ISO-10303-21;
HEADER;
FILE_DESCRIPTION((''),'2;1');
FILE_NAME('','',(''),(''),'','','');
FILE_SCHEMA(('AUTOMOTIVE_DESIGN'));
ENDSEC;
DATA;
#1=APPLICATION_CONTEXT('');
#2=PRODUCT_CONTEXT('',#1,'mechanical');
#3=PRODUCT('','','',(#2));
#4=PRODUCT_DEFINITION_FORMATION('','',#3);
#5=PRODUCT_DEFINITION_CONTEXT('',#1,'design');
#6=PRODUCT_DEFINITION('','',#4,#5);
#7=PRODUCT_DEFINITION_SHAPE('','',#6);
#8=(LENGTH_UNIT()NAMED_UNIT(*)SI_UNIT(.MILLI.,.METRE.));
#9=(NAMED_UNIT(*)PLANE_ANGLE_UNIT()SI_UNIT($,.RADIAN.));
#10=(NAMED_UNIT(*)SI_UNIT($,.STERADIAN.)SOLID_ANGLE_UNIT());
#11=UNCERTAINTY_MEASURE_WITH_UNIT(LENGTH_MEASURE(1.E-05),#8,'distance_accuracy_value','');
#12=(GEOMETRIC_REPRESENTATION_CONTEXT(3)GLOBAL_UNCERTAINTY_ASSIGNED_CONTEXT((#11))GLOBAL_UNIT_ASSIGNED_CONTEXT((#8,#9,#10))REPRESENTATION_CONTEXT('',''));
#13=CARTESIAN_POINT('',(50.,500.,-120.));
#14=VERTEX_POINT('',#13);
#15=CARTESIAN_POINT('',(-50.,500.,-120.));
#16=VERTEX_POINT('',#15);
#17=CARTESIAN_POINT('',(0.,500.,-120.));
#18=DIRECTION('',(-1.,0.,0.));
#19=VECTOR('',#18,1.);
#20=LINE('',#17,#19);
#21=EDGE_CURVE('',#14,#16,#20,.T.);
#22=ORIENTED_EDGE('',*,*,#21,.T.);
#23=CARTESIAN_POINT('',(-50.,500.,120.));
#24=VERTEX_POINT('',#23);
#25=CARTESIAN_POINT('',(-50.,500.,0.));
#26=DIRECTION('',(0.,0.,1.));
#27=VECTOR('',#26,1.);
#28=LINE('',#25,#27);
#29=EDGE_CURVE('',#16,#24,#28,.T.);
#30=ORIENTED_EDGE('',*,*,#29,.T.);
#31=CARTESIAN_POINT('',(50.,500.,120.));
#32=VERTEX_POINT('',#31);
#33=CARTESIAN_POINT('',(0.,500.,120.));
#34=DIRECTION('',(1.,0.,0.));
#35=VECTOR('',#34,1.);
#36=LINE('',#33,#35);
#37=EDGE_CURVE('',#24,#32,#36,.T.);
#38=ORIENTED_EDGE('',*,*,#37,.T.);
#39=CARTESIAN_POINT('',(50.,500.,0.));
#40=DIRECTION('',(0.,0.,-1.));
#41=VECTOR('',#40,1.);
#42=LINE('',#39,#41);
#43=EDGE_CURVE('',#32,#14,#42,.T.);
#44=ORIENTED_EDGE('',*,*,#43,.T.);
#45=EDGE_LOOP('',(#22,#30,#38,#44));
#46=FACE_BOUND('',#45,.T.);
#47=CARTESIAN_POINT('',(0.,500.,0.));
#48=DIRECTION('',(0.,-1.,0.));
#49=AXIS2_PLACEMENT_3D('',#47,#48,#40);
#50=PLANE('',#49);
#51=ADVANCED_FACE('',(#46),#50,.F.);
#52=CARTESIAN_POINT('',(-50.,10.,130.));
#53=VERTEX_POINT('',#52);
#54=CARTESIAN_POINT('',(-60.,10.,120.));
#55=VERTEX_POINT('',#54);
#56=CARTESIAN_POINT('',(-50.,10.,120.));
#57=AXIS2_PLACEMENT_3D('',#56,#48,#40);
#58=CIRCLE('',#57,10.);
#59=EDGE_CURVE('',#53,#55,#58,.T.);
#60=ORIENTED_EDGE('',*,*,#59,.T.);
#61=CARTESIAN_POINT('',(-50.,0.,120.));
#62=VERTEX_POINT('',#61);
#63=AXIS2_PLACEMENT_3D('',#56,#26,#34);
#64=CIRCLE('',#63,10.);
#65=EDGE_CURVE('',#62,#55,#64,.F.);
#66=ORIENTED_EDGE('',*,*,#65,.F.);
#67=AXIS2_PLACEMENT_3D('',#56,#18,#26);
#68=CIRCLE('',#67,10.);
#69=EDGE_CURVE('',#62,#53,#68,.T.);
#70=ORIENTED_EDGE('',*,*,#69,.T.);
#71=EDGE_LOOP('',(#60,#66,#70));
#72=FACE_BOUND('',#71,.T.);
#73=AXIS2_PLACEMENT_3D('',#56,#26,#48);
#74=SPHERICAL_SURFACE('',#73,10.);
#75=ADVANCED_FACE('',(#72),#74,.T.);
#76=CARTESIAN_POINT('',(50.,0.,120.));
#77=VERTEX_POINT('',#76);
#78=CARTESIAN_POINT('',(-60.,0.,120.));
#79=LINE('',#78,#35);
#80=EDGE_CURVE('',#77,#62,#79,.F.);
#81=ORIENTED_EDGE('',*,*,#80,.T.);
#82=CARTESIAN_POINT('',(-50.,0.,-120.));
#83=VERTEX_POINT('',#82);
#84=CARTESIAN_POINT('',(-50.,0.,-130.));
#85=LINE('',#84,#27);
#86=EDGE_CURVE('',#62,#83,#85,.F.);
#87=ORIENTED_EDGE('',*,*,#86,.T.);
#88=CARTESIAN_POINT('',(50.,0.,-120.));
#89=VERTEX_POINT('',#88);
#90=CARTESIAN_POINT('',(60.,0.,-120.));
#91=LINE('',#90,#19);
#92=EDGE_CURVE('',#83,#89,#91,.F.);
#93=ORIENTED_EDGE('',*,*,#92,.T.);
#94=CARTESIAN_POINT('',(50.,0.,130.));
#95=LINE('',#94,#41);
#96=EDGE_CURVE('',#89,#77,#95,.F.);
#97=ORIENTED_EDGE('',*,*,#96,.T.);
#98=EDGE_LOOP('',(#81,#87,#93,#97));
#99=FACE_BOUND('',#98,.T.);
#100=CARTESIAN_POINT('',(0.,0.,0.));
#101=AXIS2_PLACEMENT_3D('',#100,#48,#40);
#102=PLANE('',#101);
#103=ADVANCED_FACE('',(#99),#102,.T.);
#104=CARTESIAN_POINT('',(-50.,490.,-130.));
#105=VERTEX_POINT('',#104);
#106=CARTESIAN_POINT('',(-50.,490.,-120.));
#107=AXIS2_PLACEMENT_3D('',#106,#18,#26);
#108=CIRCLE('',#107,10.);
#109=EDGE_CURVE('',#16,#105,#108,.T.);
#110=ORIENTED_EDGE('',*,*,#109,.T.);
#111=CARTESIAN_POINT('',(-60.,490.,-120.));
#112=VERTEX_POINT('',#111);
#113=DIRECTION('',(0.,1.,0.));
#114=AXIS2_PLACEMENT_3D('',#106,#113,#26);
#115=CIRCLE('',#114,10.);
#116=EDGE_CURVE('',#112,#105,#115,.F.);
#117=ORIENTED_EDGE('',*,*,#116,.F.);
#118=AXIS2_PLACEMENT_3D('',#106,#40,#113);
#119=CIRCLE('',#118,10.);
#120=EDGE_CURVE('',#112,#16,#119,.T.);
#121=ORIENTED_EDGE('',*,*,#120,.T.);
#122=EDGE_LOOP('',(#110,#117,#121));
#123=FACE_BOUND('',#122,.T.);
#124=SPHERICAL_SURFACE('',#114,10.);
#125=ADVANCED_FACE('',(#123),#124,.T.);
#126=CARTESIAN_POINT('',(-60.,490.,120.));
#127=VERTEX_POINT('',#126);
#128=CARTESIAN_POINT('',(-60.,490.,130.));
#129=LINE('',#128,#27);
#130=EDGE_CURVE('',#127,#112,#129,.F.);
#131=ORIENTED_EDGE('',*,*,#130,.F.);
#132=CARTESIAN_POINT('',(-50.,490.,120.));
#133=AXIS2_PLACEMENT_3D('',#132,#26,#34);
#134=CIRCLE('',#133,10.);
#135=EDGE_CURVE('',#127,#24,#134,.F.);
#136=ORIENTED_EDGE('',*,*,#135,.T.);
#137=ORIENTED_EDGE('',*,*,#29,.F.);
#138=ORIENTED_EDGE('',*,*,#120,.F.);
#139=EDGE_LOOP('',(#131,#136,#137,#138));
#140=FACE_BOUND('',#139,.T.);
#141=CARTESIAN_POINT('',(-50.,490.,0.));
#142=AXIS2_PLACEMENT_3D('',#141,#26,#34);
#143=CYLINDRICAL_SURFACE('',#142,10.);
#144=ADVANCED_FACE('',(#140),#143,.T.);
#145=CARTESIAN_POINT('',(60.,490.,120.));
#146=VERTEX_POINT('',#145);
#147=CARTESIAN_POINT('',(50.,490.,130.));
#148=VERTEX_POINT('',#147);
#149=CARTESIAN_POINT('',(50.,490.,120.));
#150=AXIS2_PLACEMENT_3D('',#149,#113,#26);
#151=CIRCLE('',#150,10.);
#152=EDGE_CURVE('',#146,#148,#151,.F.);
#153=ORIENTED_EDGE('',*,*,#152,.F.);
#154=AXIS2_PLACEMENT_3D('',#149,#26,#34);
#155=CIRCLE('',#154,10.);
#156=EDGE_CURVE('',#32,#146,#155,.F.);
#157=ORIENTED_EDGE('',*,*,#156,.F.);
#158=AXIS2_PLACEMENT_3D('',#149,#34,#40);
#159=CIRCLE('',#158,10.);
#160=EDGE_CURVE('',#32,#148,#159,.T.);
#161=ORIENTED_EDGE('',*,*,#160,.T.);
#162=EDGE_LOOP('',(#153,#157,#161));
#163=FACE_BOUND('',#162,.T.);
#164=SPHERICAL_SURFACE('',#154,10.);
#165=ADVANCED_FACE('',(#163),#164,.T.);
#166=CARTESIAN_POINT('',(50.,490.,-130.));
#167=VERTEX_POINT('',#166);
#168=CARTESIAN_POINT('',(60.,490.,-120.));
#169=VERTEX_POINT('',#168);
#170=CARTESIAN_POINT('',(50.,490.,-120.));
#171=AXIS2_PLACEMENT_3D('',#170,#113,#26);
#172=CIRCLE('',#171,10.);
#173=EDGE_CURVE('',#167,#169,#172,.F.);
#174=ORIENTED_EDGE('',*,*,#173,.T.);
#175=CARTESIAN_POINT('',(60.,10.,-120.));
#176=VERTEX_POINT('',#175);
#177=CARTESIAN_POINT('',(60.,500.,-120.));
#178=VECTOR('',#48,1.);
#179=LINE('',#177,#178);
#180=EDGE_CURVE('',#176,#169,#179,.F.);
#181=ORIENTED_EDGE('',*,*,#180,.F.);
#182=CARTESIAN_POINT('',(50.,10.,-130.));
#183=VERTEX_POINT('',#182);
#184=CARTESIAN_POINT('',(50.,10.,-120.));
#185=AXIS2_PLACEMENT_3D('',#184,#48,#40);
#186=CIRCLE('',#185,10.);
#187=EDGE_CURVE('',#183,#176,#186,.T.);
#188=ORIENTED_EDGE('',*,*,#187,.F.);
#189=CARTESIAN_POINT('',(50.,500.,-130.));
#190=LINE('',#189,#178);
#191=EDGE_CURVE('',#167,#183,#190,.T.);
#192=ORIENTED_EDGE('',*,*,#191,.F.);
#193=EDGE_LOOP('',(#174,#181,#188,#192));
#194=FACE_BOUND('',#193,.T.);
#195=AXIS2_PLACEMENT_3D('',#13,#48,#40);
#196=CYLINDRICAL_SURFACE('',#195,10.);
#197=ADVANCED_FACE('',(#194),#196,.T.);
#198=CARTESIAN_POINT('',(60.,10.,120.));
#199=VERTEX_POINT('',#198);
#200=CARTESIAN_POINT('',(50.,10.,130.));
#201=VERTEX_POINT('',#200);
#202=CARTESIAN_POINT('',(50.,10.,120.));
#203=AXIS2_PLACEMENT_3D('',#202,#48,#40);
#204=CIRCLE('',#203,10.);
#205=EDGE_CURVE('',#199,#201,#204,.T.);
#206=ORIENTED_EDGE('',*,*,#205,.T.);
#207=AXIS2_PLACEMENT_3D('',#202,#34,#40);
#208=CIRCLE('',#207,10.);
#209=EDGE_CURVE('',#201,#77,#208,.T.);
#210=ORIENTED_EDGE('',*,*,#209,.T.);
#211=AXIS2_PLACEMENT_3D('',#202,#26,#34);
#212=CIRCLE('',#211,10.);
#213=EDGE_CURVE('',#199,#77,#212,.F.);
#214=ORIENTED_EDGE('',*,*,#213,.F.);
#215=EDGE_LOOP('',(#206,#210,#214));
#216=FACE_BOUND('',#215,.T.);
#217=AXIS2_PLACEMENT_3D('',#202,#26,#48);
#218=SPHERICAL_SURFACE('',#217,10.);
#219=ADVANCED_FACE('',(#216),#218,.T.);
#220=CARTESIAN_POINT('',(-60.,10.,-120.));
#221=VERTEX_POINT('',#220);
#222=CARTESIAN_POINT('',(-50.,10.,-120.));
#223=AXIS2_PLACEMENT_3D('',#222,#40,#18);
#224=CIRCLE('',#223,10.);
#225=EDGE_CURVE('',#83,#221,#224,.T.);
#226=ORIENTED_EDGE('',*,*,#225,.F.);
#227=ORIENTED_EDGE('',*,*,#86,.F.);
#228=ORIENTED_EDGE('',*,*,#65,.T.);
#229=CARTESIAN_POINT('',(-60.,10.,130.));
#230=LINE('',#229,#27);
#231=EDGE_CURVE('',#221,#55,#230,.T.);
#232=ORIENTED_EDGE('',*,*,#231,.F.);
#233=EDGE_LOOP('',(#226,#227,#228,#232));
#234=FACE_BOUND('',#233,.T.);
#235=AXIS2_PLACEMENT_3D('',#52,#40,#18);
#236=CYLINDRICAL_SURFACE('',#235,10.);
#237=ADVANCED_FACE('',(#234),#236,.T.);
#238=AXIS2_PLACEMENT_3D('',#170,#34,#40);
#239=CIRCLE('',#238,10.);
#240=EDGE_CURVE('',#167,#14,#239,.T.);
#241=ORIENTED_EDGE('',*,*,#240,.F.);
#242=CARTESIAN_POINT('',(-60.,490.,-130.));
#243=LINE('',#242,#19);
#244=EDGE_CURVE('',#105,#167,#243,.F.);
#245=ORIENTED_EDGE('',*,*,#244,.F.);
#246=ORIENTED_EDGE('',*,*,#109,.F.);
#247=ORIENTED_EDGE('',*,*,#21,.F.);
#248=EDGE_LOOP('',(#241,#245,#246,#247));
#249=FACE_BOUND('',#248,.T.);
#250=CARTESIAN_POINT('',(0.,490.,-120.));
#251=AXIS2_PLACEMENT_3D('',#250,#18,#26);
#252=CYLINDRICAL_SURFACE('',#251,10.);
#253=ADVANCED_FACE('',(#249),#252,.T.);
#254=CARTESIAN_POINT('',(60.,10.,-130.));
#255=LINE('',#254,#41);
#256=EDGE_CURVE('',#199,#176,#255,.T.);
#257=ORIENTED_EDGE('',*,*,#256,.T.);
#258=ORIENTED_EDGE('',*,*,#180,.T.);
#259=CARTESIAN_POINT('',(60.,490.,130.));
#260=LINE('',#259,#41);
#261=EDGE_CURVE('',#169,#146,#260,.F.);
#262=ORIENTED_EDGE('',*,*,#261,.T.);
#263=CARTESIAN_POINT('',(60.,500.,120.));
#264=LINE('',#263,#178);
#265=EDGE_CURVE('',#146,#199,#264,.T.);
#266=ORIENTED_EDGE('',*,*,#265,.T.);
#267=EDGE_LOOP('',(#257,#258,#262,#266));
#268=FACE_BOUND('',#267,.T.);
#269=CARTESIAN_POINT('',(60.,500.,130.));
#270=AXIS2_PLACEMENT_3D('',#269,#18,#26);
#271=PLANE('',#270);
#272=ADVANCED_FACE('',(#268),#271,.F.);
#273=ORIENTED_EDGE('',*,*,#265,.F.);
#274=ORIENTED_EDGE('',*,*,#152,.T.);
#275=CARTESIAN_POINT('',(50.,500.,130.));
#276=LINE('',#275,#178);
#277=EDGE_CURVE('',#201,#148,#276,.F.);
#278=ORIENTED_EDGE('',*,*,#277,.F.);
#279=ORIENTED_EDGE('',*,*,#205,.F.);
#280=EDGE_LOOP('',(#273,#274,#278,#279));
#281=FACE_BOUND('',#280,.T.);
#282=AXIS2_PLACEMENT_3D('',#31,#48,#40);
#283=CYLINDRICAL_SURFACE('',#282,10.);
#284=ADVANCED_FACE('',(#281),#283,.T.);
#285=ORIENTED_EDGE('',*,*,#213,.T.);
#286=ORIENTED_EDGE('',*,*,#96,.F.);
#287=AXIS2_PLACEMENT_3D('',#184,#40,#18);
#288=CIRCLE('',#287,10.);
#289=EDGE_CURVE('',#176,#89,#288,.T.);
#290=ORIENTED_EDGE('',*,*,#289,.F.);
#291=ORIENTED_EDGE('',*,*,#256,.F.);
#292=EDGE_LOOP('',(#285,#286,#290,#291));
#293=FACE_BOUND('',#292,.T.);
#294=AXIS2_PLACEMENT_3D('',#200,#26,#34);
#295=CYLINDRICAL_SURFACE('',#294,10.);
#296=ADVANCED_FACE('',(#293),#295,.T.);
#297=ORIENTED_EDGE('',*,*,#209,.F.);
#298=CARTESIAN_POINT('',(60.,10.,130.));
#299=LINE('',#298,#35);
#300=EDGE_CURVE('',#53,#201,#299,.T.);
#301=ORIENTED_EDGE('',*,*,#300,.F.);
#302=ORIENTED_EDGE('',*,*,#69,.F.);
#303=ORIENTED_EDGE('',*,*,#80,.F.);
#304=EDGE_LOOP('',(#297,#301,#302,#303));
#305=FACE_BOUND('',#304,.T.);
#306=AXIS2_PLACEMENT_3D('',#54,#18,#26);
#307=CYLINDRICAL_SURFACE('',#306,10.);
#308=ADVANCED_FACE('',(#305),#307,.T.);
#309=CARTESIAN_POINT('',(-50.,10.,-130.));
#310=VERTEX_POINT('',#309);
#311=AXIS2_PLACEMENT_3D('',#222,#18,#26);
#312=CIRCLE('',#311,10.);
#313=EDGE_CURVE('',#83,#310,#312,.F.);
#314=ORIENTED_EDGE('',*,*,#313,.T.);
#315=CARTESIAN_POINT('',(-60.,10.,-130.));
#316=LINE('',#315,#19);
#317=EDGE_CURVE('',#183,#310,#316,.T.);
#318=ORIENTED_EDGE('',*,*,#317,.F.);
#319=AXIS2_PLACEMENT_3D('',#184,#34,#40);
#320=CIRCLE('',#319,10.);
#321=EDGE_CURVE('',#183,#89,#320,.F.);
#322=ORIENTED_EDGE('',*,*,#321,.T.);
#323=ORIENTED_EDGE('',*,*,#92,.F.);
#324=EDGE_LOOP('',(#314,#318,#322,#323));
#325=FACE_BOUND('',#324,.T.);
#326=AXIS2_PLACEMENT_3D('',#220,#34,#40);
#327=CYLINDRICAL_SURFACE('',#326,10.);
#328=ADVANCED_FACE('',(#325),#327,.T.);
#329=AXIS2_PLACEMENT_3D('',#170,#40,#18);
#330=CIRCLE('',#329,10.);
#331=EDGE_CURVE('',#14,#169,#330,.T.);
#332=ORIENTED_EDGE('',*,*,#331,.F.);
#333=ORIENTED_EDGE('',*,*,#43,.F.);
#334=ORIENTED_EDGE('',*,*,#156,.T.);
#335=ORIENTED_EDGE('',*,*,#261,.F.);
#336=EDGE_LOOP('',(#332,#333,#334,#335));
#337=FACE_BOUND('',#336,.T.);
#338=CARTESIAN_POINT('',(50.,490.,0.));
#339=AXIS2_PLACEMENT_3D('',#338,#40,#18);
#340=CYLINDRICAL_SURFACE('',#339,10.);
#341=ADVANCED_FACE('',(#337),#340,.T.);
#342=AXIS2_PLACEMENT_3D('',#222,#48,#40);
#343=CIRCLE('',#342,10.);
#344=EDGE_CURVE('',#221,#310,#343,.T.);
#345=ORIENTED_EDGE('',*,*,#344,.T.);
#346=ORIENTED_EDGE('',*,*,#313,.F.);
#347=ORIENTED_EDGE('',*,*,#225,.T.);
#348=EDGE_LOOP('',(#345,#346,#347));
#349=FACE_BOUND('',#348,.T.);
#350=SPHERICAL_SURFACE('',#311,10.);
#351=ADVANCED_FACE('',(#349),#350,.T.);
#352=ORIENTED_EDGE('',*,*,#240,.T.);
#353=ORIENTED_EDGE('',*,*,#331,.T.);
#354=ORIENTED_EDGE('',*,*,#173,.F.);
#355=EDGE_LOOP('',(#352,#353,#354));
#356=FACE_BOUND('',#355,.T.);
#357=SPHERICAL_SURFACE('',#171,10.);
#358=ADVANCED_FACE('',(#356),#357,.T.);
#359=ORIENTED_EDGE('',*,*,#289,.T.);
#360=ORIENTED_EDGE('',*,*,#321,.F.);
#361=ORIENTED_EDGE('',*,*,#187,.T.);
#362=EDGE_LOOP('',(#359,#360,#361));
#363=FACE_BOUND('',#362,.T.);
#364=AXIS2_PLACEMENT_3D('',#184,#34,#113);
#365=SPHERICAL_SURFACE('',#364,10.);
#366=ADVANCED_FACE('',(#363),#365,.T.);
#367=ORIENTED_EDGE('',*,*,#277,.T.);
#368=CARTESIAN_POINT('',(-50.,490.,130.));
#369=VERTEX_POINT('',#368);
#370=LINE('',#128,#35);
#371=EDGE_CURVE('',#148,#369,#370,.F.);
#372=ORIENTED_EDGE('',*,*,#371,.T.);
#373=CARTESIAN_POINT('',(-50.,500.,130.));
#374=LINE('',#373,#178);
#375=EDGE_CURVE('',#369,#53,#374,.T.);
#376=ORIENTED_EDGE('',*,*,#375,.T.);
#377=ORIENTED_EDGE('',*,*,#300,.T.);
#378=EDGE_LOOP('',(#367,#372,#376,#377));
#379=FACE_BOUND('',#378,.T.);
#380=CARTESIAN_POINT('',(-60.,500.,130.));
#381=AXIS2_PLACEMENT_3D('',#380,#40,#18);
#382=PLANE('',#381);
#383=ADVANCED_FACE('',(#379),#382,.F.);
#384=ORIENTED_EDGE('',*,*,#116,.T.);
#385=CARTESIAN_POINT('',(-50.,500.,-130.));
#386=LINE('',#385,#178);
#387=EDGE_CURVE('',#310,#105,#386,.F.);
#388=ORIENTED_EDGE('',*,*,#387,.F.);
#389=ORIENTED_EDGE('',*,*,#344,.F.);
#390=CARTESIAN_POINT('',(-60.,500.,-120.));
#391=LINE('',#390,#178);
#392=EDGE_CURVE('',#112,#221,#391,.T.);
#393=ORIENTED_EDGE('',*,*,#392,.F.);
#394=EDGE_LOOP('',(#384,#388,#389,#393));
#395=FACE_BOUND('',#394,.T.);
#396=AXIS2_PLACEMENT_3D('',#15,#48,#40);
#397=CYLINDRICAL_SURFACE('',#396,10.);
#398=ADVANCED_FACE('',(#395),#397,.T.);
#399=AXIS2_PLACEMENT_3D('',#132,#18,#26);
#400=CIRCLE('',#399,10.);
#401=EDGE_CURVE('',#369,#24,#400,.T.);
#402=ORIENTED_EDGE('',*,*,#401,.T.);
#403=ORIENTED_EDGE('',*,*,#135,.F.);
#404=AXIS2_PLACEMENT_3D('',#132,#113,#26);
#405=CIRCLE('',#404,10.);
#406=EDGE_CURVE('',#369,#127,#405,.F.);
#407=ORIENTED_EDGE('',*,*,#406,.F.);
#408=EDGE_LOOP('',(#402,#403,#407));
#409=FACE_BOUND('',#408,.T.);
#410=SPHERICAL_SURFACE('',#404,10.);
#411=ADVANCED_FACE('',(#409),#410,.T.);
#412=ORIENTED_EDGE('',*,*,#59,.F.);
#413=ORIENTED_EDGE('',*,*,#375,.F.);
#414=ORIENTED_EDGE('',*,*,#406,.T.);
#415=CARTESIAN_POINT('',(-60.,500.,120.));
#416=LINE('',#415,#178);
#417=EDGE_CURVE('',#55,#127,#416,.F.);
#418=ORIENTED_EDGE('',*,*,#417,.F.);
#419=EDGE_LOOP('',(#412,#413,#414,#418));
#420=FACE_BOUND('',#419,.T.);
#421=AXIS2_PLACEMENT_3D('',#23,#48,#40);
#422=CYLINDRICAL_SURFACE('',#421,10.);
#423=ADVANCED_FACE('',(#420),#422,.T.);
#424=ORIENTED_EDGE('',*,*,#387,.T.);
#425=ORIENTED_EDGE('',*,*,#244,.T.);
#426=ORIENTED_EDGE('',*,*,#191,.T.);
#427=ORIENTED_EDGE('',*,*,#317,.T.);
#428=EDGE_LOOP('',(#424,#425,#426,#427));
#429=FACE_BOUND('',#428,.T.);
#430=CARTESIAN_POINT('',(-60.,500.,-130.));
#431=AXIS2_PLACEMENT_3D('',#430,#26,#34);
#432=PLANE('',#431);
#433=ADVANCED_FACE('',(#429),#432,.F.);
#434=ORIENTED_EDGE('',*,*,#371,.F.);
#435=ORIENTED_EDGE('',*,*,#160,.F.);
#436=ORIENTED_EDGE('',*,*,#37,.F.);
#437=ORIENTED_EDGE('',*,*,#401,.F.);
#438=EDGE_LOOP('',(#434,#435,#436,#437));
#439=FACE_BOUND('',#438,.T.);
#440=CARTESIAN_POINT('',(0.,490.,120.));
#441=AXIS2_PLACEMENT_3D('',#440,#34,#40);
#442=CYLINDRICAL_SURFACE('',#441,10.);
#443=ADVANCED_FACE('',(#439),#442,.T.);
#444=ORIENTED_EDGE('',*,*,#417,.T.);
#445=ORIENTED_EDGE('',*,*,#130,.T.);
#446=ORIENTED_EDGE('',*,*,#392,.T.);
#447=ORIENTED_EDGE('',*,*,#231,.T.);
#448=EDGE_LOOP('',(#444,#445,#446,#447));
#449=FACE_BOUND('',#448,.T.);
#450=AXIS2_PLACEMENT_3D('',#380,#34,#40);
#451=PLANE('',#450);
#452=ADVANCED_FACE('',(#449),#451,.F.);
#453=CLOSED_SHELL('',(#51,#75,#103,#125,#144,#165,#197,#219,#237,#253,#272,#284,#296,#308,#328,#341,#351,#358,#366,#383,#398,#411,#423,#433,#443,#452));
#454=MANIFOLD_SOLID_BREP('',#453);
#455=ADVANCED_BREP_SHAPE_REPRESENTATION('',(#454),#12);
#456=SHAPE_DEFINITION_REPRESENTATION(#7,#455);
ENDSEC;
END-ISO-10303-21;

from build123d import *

# Parameters (mm, degrees)
ESBO_O1_W                = 120
ESBO_O1_H                = 260
RESSALTO_EXTRUS_O1_DEPTH = 500
FILETE1_R                = 10


with BuildPart() as part:
    # Esboço1 → Ressalto-extrusão1 (new body)
    with BuildSketch(Plane(origin=(0, 0, 0), x_dir=(1, 0, 0), z_dir=(0, 1, 0))):
        Rectangle(ESBO_O1_W, ESBO_O1_H)
    extrude(amount=RESSALTO_EXTRUS_O1_DEPTH)

    # Filete1
    filete1_edges = [part.edges().sort_by_distance(p)[0] for p in [
        (-60, 500, 0),
        (0, 500, 130),
        (60, 500, 0),
        (0, 0, 130),
        (-60, 0, 0),
        (0, 0, -130),
        (60, 0, 0),
        (60, 250, 130),
        (-60, 250, 130),
        (-60, 250, -130),
        (60, 250, -130),
        (0, 500, -130),
    ]]
    fillet(filete1_edges, radius=FILETE1_R)


solid = part.part
